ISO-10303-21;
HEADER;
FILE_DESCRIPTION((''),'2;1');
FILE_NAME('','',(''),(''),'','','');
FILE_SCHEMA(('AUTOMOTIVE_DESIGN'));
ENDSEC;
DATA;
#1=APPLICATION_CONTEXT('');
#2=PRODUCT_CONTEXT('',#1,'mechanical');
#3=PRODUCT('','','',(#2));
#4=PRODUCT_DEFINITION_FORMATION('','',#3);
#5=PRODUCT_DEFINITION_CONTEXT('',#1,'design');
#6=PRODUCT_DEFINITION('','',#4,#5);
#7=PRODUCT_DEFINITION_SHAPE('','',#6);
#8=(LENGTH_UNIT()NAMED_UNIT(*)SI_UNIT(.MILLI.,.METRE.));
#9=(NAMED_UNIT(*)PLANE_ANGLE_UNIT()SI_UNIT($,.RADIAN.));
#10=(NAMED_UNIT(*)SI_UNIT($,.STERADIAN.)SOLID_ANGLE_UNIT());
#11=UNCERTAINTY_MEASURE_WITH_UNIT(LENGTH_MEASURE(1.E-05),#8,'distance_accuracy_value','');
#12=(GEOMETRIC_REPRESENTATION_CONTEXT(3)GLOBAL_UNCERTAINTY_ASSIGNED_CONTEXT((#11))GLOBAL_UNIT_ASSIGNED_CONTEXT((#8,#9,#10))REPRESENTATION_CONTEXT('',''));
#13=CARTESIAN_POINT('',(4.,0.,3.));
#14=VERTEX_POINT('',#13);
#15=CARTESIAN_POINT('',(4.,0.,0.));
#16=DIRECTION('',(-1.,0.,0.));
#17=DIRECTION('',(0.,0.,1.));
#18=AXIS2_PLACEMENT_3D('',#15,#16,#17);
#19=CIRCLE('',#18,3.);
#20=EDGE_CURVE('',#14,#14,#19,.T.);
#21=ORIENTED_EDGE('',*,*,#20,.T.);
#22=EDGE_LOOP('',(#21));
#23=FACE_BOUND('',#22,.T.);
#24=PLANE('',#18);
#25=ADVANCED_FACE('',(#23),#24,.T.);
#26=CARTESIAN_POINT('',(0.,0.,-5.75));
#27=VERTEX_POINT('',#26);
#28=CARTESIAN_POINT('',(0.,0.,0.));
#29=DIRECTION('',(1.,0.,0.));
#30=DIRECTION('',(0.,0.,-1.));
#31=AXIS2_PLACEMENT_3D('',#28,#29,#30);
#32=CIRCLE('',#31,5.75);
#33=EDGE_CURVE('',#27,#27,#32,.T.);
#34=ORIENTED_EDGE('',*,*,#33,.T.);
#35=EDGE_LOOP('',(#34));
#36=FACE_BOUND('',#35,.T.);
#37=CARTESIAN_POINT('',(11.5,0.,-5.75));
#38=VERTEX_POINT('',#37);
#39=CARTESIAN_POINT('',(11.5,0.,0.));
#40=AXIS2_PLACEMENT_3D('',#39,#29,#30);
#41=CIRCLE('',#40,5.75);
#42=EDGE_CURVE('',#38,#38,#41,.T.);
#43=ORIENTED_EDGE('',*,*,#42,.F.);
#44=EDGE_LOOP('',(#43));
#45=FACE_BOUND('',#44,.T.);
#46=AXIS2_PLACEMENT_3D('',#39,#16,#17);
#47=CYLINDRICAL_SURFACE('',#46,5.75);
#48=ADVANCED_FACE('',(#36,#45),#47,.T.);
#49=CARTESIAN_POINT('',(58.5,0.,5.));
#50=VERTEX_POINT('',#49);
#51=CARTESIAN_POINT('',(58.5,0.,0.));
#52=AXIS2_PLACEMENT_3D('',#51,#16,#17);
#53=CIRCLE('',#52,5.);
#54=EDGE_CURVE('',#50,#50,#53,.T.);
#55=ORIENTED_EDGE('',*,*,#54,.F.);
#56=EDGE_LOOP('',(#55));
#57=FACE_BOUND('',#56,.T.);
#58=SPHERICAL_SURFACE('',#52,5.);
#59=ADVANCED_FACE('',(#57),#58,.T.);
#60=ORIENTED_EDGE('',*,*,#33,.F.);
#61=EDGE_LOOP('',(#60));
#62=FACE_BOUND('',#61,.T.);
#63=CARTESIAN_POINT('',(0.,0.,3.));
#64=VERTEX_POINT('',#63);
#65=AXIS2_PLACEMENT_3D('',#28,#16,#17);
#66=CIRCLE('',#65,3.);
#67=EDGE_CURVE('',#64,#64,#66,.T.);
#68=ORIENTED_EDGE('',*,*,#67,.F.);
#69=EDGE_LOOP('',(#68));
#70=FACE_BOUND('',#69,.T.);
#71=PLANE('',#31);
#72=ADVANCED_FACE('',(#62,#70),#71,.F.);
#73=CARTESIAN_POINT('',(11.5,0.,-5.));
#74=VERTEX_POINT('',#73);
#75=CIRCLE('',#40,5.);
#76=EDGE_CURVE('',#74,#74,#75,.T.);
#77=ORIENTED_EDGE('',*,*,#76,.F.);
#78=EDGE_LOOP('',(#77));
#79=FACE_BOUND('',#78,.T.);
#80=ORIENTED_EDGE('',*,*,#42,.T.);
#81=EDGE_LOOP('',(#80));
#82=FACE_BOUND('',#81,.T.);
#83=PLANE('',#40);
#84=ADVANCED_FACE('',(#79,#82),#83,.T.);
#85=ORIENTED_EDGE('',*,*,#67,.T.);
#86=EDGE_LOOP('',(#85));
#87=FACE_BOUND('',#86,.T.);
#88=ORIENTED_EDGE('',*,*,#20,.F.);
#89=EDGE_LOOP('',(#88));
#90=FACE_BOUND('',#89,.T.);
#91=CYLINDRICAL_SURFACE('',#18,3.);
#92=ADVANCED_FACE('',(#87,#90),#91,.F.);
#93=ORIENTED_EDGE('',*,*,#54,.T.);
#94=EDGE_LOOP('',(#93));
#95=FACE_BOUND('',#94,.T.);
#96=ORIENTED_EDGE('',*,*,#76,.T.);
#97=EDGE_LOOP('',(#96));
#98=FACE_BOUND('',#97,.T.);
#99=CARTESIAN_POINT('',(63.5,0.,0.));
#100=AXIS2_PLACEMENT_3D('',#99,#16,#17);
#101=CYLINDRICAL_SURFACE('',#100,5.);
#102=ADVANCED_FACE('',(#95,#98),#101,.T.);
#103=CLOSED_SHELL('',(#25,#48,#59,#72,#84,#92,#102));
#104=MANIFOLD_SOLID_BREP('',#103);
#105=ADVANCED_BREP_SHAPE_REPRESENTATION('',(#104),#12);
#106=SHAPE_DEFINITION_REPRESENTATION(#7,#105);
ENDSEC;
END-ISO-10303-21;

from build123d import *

# Parameters (mm, degrees)
SKETCH_1_R          = 5.75
EXTRUDE_1_DEPTH     = 11.5
SKETCH_3_R          = 5
EXTRUDE_2_DEPTH     = 63.5
FILLET_1_R          = 5
SKETCH_4_R          = 3
CUT_EXTRUDE_1_DEPTH = 4


with BuildPart() as part:
    # 草图1 → 凸台-拉伸1 (new body)
    with BuildSketch(Plane(origin=(0, 0, 0), x_dir=(0, 0, -1), z_dir=(1, 0, 0))):
        Circle(SKETCH_1_R)
    extrude(amount=EXTRUDE_1_DEPTH)

    # 草图3 → 凸台-拉伸2 (add)
    with BuildSketch(Plane.ZY):
        Circle(SKETCH_3_R)
    extrude(amount=-EXTRUDE_2_DEPTH)

    # 圆角1
    fillet_1_edges = [part.edges().sort_by_distance(p)[0] for p in [
        (63.5, 0, -5),
    ]]
    fillet(fillet_1_edges, radius=FILLET_1_R)

    # 草图4 → 切除-拉伸1 (cut)
    with BuildSketch(Plane.ZY):
        Circle(SKETCH_4_R)
    extrude(amount=-CUT_EXTRUDE_1_DEPTH, mode=Mode.SUBTRACT)


solid = part.part
